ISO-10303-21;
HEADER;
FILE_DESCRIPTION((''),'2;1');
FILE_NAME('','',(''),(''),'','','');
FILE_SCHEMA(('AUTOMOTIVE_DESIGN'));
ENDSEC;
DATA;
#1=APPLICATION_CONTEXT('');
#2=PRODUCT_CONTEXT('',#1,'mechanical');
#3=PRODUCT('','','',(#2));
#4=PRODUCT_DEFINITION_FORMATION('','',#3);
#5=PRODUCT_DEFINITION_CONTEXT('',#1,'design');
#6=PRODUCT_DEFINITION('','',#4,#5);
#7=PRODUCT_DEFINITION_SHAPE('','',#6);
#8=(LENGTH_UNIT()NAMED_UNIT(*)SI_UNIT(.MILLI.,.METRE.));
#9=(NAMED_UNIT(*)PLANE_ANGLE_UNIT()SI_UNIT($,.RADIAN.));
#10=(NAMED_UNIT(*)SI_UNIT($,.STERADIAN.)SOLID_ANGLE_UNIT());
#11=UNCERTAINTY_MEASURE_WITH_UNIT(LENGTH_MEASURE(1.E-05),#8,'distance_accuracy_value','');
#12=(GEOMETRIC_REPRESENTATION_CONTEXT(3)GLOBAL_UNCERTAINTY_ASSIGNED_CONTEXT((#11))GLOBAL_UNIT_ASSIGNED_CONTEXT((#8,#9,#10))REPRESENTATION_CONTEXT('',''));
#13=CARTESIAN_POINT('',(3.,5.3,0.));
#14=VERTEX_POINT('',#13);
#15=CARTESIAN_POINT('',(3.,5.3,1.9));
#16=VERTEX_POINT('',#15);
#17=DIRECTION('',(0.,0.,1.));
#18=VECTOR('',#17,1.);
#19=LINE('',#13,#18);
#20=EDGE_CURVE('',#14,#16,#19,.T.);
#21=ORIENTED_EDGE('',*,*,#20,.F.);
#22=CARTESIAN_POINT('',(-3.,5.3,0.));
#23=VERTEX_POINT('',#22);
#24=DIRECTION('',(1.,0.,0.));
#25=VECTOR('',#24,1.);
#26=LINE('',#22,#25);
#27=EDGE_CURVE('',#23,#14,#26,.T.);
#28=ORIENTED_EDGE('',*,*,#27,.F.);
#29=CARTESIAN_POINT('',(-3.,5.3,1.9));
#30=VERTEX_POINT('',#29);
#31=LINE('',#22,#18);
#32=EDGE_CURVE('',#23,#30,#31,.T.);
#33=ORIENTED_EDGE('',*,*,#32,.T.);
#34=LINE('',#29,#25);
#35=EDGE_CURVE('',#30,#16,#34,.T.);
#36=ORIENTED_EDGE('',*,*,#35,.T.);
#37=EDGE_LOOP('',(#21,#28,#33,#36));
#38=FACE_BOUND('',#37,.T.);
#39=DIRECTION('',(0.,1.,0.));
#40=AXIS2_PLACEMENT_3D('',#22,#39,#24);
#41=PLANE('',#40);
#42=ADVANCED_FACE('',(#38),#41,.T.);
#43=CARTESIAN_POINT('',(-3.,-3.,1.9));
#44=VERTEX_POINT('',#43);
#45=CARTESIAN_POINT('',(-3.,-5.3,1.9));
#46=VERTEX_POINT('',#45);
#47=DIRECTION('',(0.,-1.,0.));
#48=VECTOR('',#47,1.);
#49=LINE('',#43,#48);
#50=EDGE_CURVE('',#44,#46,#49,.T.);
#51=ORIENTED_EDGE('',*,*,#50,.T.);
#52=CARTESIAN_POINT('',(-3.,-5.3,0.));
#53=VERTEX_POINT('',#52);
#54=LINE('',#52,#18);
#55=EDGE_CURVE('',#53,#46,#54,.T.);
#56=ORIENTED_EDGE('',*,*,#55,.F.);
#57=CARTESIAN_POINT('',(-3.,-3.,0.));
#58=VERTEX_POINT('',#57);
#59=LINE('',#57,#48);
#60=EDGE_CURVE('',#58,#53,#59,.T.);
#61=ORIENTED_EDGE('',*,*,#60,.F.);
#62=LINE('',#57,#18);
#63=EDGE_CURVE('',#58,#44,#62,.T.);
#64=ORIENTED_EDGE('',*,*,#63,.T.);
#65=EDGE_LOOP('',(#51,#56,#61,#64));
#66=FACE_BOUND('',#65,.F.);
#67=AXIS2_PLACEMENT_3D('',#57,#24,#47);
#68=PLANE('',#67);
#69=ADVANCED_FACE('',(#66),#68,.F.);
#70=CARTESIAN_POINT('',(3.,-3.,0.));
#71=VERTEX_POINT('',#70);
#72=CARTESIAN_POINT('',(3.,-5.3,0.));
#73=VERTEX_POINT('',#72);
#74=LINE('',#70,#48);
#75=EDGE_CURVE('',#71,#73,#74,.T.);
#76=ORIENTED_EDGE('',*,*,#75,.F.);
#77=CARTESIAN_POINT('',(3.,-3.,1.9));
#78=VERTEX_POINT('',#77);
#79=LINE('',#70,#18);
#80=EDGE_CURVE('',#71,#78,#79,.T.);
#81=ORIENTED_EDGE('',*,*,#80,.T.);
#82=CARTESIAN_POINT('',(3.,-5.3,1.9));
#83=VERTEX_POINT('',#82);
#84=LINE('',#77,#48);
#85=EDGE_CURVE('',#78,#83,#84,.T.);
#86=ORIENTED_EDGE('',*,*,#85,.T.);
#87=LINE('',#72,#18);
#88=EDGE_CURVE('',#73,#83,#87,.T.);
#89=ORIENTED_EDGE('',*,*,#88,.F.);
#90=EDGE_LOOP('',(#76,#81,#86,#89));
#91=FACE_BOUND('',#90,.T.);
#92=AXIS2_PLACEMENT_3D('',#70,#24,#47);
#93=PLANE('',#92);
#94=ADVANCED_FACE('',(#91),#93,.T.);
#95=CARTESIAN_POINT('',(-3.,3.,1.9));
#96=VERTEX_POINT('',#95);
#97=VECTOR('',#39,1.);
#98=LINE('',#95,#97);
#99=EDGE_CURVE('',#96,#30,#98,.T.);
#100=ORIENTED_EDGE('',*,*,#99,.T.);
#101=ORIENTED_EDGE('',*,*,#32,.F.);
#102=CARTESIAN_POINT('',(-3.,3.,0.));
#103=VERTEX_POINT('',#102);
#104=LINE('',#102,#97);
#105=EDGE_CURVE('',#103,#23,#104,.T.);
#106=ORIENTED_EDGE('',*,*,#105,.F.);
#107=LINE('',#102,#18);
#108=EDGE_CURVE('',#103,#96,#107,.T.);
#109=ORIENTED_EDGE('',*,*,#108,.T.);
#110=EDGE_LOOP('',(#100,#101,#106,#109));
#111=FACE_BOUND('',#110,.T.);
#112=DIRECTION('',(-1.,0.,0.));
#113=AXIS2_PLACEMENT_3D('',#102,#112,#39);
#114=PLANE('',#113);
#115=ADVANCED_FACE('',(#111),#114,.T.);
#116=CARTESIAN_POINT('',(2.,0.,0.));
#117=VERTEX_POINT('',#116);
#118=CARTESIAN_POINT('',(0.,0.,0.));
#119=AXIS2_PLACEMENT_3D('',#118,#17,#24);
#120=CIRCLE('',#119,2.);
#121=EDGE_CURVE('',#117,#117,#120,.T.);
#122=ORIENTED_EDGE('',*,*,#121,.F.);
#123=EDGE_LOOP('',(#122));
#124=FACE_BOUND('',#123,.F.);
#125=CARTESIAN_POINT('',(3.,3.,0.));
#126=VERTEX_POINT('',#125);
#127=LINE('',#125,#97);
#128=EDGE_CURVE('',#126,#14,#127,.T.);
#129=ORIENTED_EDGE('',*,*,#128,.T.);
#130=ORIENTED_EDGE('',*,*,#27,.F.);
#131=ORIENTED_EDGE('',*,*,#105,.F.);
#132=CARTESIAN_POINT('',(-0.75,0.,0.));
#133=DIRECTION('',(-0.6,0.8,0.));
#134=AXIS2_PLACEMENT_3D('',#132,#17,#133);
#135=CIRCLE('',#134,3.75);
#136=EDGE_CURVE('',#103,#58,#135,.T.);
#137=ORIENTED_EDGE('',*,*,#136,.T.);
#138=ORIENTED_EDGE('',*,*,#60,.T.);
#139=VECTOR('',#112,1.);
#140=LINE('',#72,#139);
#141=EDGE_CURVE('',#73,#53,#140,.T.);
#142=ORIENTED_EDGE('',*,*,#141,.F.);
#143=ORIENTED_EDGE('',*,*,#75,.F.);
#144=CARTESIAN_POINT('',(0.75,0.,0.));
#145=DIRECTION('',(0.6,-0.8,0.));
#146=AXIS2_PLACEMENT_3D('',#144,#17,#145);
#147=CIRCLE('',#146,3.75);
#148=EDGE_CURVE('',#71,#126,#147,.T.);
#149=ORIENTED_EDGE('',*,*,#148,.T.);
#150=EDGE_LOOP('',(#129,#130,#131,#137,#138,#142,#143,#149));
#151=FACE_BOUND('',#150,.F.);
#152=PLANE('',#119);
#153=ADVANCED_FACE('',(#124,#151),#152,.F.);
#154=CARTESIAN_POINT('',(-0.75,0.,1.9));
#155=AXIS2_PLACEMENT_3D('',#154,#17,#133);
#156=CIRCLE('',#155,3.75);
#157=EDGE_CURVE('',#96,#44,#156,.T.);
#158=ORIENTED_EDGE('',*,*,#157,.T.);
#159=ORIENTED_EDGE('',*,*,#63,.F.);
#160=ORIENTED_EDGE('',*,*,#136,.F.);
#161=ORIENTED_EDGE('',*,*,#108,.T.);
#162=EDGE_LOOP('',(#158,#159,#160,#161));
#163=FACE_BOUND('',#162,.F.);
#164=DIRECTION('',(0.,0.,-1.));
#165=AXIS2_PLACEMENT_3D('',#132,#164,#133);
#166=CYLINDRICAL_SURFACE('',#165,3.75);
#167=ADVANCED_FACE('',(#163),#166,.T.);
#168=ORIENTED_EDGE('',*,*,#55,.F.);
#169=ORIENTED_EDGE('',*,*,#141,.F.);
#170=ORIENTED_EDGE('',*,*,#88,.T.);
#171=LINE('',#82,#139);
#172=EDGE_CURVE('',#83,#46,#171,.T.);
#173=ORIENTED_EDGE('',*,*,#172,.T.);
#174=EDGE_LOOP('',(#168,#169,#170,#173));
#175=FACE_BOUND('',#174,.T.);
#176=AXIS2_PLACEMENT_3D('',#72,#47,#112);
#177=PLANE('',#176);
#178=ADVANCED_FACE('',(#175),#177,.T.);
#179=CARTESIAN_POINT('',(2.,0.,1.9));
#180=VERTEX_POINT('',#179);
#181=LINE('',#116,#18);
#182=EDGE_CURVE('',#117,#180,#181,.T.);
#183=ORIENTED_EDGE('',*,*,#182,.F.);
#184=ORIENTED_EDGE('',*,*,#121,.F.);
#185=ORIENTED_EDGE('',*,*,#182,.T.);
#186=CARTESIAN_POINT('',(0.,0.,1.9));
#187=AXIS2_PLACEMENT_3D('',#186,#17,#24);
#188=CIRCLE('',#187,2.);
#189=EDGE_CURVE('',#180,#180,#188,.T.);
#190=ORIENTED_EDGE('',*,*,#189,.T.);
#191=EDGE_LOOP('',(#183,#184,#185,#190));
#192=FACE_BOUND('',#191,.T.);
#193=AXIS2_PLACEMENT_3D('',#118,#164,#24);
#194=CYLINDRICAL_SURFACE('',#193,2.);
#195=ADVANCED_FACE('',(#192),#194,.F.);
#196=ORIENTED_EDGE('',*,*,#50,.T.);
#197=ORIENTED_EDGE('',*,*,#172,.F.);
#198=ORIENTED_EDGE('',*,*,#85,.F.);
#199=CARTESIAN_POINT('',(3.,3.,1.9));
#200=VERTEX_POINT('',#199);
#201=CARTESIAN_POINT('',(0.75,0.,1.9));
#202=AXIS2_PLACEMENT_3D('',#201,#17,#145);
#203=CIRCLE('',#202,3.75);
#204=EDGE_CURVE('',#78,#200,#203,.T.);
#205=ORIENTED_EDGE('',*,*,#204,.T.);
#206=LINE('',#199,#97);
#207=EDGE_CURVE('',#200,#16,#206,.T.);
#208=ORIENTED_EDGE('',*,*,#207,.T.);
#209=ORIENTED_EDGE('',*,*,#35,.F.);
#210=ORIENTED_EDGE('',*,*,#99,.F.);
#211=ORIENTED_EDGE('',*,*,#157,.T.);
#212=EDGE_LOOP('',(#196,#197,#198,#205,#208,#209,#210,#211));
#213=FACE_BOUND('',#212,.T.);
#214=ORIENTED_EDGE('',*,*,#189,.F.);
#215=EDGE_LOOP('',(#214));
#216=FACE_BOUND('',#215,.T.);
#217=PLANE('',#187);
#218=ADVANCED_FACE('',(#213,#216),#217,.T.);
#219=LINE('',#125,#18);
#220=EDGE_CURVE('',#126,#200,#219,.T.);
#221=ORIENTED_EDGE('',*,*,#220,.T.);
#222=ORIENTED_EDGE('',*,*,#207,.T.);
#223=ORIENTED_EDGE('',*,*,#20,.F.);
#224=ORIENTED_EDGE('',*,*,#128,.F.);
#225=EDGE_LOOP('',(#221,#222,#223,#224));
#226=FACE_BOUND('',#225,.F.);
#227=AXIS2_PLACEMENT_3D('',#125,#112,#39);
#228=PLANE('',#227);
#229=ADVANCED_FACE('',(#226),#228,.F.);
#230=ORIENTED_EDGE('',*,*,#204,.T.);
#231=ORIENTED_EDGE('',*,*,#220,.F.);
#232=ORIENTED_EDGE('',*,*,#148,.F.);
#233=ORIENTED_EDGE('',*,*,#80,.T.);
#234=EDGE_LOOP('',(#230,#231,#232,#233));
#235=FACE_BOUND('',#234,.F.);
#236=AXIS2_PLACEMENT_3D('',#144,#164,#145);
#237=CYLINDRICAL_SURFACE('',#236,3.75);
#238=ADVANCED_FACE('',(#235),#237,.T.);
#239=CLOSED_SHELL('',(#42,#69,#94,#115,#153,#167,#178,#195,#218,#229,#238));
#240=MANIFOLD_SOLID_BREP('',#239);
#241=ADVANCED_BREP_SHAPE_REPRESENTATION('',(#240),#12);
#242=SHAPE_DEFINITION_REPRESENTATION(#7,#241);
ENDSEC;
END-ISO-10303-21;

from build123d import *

# Parameters (mm, degrees)
SKETCH_R  = 2
PAD_DEPTH = 1.9


with BuildPart() as part:
    # Sketch → Pad (new body)
    with BuildSketch(Plane.XY):
        with BuildLine():
            ThreePointArc((3, -3), (4.5, 0), (3, 3))
            Line((3, 3), (3, 5.3))
            Line((-3, 5.3), (3, 5.3))
            Line((-3, 3), (-3, 5.3))
            ThreePointArc((-3, 3), (-4.5, 0), (-3, -3))
            Line((-3, -3), (-3, -5.3))
            Line((3, -5.3), (-3, -5.3))
            Line((3, -3), (3, -5.3))
        make_face()
        Circle(SKETCH_R, mode=Mode.SUBTRACT)
    extrude(amount=PAD_DEPTH)


solid = part.part
